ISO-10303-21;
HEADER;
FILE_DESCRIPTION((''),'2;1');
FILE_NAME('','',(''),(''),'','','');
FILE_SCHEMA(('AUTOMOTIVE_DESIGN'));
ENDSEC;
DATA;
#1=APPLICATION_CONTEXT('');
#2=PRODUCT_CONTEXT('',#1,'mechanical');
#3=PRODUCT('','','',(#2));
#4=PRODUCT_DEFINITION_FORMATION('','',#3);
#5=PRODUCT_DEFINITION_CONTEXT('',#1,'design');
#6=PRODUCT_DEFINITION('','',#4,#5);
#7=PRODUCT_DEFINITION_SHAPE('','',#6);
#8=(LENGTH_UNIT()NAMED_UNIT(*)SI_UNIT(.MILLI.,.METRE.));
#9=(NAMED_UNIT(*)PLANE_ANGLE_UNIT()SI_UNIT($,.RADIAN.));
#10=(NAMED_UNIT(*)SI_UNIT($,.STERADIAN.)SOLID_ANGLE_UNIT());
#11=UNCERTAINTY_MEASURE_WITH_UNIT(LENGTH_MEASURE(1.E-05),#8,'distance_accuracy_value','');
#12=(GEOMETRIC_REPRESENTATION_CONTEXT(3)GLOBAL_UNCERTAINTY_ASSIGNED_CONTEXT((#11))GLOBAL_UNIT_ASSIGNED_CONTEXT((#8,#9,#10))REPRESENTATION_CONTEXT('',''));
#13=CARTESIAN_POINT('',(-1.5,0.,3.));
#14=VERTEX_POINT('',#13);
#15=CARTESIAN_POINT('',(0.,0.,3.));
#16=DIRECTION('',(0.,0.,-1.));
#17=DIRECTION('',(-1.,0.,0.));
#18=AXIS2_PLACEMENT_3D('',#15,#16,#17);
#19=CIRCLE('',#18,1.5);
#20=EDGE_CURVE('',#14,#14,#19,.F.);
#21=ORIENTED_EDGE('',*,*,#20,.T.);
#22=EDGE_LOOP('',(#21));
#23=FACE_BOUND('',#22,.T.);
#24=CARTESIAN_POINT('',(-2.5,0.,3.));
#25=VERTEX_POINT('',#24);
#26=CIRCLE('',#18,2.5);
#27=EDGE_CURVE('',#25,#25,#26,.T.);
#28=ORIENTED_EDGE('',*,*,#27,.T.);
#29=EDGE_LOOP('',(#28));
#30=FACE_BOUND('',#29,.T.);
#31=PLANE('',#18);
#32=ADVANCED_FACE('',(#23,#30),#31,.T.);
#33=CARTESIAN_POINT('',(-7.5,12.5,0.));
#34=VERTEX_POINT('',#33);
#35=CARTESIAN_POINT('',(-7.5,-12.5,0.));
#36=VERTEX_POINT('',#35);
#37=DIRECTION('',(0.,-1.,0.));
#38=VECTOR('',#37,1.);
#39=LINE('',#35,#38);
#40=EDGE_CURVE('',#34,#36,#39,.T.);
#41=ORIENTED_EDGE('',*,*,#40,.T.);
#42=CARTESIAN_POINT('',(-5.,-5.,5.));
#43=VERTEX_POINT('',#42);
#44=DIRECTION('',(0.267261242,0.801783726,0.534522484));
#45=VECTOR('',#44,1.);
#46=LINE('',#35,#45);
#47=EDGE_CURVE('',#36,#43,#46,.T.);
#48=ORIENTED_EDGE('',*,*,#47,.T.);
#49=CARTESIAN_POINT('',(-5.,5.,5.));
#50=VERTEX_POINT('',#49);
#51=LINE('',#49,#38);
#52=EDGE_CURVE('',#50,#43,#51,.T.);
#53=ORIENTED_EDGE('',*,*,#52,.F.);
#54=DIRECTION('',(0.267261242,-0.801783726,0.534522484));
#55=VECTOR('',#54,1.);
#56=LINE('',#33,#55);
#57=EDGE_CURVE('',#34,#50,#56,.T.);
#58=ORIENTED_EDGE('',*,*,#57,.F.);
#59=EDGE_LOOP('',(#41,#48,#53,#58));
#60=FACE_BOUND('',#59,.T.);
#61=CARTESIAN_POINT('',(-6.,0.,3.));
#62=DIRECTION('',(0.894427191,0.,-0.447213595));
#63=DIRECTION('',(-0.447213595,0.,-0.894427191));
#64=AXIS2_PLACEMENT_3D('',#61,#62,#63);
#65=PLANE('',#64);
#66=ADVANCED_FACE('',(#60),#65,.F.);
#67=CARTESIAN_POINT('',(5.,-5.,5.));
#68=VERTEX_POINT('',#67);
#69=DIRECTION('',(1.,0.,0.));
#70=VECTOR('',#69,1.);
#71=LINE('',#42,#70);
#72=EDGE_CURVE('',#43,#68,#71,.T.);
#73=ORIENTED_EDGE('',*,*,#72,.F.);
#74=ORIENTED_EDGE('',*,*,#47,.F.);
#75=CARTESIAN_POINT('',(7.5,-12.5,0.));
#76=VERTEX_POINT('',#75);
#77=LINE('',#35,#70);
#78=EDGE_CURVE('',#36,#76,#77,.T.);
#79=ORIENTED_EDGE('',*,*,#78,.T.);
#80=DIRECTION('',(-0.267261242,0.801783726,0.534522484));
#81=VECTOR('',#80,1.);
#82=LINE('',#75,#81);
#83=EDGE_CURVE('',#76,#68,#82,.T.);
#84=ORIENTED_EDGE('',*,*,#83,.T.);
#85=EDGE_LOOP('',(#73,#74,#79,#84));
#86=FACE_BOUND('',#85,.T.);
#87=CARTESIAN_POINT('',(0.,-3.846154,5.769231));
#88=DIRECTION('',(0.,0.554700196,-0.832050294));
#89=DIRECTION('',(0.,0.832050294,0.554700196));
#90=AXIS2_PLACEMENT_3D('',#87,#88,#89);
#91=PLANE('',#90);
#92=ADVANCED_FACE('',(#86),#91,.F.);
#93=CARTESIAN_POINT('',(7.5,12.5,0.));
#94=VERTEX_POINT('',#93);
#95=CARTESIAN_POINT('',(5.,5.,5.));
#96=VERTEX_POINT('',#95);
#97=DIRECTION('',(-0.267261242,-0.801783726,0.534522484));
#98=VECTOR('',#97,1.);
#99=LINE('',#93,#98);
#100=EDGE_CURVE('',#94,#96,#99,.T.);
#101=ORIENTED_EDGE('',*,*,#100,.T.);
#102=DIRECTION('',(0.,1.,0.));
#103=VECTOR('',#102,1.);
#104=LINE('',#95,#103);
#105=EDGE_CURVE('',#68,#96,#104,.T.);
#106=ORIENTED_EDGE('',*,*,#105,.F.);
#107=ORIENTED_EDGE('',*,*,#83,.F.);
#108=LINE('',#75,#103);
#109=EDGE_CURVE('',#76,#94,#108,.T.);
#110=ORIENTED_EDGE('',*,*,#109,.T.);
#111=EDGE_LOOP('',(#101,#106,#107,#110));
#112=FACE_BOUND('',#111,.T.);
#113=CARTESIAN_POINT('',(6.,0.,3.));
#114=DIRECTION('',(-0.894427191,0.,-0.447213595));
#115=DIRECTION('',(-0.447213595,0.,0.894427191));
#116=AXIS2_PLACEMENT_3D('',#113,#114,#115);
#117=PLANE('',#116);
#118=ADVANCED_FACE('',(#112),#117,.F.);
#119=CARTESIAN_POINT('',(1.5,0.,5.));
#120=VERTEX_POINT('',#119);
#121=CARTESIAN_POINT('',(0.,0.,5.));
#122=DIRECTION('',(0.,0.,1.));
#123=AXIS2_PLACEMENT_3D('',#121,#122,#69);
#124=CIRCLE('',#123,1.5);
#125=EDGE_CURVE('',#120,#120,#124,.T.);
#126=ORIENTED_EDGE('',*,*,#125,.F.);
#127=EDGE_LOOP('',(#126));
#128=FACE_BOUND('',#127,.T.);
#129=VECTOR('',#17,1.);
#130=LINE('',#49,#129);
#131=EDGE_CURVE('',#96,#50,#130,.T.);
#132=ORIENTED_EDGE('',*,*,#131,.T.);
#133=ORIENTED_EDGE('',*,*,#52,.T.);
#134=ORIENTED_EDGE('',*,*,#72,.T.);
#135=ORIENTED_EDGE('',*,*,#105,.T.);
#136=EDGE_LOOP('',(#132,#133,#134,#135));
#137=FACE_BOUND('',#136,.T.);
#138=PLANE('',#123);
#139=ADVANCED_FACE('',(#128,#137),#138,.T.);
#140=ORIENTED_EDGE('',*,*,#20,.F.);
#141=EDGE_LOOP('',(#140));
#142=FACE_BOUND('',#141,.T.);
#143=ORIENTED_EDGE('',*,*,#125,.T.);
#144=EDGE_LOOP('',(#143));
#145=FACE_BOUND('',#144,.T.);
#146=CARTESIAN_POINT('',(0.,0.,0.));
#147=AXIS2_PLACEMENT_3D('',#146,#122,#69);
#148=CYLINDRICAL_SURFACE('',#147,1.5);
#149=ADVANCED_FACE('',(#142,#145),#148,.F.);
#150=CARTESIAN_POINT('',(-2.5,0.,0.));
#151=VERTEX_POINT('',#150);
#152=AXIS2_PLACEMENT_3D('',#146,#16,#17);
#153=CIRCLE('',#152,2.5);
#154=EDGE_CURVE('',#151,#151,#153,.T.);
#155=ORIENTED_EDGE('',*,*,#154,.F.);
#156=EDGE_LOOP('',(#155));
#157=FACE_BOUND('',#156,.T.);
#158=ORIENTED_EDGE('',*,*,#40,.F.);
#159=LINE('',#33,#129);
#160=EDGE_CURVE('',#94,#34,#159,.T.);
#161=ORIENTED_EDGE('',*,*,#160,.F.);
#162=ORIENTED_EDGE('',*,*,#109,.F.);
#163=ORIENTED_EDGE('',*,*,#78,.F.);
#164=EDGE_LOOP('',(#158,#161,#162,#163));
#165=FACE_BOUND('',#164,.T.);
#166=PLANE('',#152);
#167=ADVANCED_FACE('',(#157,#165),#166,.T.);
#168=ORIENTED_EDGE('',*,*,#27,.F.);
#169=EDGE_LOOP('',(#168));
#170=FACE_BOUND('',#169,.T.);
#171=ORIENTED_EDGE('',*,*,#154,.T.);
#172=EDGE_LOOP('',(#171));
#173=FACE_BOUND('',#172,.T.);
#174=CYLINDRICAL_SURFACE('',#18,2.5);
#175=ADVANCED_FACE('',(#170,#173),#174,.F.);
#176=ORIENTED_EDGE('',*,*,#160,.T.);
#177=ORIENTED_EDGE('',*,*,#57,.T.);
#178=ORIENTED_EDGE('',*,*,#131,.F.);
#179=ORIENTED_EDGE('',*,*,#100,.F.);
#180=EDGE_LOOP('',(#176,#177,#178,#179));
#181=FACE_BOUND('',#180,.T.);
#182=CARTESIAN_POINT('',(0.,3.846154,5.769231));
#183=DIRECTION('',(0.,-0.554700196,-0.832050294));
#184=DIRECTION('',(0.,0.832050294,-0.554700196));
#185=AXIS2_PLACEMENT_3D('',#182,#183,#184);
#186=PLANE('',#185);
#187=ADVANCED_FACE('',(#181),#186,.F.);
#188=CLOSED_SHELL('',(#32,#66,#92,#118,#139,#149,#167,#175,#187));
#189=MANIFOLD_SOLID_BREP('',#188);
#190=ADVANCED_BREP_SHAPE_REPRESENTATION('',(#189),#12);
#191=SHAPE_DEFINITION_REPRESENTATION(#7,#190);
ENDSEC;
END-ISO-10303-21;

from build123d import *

# Parameters (mm, degrees)
CROQUIS1_W            = 15
CROQUIS1_H            = 25
CROQUIS9_W            = 10
CROQUIS9_H            = 10
CROQUIS10_R           = 1.5
CORTAR_EXTRUIR1_DEPTH = 5
CROQUIS11_R           = 2.5
CORTAR_EXTRUIR2_DEPTH = 3


with BuildPart() as part:
    # Croquis1 → Recubrir1 section 0
    with BuildSketch(Plane.XY):
        Rectangle(CROQUIS1_W, CROQUIS1_H)
    # Croquis9 → Recubrir1 section 1
    with BuildSketch(Plane.XY.offset(5)):
        Rectangle(CROQUIS9_W, CROQUIS9_H)
    loft()

    # Croquis10 → Cortar-Extruir1 (cut)
    with BuildSketch(Plane.XY.offset(5)):
        Circle(CROQUIS10_R)
    extrude(amount=-CORTAR_EXTRUIR1_DEPTH, mode=Mode.SUBTRACT)

    # Croquis11 → Cortar-Extruir2 (cut)
    with BuildSketch(Plane(origin=(0, 0, 0), x_dir=(-1, 0, 0), z_dir=(0, 0, -1))):
        Circle(CROQUIS11_R)
    extrude(amount=-CORTAR_EXTRUIR2_DEPTH, mode=Mode.SUBTRACT)


solid = part.part
